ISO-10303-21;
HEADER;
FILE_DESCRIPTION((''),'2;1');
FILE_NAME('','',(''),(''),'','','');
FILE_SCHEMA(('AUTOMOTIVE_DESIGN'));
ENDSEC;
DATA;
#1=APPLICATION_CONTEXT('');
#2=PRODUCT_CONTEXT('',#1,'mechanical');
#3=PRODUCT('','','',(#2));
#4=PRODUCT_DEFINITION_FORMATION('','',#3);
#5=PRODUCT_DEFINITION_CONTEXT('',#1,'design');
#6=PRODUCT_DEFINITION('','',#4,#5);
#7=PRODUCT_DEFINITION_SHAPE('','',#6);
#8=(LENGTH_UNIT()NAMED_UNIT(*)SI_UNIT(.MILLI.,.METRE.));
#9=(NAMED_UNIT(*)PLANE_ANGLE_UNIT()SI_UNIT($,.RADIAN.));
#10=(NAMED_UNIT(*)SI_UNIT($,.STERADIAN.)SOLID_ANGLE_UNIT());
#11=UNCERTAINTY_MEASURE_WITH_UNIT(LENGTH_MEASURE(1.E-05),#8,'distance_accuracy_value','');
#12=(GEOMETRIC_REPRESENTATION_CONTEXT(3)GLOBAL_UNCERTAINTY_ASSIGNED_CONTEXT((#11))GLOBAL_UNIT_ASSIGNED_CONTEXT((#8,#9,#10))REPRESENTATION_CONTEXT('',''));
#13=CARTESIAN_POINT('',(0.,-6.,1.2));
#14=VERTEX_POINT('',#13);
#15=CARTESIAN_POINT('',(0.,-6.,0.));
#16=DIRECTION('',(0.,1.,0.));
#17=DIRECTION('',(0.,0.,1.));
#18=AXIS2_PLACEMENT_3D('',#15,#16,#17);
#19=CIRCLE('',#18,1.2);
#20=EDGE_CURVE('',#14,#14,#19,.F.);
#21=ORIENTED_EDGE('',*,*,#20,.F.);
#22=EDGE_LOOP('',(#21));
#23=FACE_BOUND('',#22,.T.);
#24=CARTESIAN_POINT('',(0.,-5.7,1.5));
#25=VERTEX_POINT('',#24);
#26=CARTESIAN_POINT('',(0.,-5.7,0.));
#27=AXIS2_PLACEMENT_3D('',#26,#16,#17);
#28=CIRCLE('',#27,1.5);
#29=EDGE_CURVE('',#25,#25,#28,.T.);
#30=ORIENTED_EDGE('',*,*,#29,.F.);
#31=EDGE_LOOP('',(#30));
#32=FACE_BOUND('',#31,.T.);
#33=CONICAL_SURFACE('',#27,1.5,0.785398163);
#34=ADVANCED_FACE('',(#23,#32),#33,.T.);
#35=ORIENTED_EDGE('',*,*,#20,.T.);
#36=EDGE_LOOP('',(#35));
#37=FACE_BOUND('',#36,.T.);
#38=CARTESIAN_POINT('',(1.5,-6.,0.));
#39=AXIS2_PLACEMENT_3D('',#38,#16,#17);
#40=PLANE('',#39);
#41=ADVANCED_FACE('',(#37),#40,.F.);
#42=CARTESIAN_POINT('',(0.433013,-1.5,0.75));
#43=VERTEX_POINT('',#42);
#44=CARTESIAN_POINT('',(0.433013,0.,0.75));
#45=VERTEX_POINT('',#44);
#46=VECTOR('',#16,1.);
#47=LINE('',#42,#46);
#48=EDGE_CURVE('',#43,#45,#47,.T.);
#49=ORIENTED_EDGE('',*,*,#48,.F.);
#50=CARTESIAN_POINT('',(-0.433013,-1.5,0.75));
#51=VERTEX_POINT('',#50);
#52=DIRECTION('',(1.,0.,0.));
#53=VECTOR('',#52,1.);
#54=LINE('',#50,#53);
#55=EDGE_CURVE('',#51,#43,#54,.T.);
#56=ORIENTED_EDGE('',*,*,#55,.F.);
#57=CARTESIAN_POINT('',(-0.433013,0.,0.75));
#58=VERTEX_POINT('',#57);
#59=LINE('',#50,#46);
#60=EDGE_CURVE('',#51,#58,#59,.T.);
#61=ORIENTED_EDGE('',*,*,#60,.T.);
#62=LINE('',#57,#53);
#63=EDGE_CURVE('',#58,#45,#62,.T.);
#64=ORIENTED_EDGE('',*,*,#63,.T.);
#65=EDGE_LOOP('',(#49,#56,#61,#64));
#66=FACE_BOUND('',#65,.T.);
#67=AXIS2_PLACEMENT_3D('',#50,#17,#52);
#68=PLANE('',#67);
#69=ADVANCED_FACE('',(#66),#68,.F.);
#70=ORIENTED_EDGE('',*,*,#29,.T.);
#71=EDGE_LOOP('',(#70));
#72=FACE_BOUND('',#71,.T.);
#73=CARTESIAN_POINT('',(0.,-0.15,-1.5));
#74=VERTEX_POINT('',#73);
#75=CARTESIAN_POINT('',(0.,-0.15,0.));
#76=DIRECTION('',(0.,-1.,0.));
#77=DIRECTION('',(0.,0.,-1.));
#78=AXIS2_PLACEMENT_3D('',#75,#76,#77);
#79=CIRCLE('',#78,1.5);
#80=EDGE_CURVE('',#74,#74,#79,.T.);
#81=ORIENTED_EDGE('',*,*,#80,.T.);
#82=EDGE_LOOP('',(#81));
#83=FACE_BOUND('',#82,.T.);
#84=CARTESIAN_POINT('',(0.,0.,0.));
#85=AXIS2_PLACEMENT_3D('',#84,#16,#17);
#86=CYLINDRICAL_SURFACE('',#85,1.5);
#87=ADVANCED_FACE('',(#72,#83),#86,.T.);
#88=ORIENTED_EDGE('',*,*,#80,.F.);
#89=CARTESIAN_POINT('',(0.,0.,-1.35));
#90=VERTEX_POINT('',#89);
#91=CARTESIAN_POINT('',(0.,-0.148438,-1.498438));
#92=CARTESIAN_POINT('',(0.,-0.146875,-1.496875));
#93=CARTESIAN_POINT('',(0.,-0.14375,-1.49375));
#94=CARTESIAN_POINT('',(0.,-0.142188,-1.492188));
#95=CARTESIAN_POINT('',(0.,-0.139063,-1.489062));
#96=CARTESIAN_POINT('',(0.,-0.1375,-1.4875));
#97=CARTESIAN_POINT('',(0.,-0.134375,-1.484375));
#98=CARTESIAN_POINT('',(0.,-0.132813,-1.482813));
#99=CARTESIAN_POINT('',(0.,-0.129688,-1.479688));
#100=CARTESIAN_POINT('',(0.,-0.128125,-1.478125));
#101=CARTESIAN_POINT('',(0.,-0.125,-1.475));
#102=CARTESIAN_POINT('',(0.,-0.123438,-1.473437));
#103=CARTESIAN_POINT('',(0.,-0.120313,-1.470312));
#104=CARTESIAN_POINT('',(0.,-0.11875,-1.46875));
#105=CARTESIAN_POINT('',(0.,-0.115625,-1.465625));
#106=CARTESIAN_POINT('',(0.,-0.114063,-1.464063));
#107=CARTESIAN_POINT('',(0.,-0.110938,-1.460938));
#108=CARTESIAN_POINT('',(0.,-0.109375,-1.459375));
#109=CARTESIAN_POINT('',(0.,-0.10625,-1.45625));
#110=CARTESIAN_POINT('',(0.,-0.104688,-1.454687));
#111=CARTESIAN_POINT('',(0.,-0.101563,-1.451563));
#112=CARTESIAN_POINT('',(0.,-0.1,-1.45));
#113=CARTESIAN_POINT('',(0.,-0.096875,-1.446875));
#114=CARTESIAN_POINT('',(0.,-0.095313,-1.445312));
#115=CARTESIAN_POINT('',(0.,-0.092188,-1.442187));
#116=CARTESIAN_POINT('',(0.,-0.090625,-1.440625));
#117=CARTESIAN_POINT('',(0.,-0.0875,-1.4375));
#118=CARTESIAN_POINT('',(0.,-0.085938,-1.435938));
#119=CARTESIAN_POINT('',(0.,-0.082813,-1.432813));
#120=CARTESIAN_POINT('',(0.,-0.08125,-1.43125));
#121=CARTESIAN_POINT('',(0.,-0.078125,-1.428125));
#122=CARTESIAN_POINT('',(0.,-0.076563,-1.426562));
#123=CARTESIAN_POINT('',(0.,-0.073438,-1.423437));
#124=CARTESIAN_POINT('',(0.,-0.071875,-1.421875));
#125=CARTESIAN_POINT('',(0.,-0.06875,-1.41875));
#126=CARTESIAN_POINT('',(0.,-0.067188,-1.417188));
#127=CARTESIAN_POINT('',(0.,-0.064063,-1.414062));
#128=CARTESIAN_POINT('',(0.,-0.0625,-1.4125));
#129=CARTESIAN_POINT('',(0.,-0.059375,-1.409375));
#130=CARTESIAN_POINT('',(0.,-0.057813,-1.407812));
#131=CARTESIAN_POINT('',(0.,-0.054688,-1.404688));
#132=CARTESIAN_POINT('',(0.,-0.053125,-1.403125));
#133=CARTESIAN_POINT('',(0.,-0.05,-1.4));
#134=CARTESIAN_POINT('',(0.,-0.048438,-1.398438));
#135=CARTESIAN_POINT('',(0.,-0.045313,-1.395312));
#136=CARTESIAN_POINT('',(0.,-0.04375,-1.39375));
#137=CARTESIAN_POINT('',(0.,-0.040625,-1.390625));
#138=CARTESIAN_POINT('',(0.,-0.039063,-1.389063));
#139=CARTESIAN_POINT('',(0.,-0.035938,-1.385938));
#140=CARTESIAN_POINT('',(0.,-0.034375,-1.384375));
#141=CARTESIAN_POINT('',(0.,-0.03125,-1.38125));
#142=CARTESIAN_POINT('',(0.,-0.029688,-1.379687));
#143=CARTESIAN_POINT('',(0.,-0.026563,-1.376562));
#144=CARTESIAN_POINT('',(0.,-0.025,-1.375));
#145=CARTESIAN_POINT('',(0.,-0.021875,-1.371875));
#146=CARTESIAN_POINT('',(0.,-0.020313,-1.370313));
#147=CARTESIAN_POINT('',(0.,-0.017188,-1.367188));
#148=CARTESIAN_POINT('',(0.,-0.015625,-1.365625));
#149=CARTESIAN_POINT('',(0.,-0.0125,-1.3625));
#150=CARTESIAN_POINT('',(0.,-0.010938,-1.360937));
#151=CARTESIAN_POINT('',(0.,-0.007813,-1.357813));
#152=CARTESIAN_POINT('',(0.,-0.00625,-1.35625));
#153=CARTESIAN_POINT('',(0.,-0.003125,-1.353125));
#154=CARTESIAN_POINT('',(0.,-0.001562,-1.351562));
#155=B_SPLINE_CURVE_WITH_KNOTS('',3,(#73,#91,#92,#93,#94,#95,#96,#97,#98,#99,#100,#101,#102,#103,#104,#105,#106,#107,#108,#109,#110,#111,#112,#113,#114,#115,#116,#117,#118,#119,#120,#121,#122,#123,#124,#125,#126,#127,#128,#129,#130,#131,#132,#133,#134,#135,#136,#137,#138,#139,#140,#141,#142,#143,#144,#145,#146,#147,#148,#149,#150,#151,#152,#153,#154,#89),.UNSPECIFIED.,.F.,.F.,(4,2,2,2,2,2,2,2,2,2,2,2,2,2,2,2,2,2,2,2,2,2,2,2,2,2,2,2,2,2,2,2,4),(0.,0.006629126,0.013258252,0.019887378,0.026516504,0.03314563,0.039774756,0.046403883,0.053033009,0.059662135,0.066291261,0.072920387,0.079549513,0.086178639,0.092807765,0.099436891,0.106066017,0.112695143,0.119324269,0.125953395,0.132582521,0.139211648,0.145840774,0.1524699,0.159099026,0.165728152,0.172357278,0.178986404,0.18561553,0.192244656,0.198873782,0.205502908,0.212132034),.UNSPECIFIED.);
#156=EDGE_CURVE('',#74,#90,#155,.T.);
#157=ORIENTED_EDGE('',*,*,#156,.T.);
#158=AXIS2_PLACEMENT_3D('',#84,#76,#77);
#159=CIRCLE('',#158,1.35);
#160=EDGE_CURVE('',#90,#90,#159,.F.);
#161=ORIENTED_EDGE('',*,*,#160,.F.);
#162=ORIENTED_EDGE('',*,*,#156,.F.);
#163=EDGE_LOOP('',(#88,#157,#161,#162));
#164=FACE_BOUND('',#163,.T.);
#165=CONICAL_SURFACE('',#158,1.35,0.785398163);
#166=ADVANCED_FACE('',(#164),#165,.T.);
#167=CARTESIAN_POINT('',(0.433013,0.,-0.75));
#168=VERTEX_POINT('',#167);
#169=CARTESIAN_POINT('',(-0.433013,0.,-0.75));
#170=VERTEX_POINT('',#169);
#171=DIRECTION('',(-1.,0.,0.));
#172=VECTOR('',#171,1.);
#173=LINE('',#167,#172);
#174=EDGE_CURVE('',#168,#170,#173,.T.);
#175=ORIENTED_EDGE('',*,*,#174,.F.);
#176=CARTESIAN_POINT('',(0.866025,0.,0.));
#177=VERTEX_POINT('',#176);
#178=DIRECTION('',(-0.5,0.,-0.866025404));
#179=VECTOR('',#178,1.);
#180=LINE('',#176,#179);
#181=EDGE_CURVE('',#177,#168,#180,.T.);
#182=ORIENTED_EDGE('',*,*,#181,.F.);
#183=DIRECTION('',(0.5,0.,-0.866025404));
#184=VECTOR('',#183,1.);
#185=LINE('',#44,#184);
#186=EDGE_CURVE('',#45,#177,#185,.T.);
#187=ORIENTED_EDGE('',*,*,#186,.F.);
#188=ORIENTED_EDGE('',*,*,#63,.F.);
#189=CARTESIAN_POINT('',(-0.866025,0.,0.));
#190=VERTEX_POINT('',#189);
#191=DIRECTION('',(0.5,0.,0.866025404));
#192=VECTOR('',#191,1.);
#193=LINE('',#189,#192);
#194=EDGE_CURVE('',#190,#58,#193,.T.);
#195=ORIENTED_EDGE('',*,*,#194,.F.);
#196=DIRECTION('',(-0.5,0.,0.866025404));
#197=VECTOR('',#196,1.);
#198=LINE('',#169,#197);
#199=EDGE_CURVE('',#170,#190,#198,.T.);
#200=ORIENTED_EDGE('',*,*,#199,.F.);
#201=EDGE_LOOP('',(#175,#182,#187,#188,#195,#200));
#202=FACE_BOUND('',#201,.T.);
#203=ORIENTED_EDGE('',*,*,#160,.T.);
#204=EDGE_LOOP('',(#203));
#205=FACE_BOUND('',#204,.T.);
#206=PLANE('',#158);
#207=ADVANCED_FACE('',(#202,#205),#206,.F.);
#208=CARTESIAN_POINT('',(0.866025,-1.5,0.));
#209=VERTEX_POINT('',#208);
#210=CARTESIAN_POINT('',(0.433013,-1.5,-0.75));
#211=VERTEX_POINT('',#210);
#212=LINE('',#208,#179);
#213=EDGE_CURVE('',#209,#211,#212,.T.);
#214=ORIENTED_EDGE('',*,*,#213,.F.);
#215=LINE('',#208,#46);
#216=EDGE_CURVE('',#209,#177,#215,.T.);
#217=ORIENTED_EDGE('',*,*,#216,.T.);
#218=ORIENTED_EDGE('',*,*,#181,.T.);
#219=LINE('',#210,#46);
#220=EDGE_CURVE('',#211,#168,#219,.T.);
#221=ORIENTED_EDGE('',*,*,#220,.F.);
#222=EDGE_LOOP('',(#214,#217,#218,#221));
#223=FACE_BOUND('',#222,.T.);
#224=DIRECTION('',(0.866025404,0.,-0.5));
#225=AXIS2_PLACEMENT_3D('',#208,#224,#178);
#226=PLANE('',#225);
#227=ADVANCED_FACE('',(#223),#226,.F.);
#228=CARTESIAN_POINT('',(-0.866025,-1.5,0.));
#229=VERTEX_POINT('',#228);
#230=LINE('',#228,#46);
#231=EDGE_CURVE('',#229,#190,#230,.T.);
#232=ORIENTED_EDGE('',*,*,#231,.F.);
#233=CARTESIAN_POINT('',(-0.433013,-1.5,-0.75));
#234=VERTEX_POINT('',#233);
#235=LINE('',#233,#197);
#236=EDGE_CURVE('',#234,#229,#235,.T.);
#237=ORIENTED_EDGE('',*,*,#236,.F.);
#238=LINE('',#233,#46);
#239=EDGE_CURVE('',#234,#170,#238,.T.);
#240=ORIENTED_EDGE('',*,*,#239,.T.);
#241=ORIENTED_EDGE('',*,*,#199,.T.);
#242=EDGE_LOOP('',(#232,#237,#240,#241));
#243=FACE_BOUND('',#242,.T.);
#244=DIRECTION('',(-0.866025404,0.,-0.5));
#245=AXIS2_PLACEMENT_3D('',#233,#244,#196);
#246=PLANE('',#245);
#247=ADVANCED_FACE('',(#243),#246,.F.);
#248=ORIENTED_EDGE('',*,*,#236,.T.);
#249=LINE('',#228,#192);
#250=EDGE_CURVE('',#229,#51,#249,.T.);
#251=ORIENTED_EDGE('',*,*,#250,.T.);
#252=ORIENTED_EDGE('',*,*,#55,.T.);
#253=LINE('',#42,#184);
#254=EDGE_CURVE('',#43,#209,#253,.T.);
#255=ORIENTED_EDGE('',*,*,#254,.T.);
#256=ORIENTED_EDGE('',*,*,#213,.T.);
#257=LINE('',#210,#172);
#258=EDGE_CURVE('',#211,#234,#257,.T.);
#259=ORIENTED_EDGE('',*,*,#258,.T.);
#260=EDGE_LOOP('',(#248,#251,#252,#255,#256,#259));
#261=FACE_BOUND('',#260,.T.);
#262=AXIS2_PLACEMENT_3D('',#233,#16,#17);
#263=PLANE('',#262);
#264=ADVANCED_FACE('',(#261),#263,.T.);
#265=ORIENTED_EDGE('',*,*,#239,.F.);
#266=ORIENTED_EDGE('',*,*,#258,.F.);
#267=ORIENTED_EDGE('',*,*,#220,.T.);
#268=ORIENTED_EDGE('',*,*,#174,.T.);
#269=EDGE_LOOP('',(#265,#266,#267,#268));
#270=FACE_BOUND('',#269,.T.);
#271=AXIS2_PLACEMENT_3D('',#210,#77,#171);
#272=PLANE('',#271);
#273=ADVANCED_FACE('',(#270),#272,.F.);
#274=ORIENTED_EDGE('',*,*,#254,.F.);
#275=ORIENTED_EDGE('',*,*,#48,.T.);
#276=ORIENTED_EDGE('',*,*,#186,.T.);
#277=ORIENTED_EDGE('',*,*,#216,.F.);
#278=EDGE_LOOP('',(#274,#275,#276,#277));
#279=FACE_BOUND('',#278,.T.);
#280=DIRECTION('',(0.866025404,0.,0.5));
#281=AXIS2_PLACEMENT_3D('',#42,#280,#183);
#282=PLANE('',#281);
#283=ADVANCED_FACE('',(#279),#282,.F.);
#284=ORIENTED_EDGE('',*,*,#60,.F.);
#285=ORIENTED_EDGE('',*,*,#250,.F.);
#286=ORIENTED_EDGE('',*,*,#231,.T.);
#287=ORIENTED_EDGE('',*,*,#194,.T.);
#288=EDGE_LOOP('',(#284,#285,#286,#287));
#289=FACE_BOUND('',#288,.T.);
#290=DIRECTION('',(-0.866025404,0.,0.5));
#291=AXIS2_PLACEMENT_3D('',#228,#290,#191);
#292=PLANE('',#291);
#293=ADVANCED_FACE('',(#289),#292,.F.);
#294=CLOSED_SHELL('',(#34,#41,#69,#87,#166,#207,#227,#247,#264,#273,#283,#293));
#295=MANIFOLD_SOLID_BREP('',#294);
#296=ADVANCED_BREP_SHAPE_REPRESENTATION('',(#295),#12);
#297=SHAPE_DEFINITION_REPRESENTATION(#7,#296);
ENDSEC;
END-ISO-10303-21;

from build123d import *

# Parameters (mm, degrees)
CROQUIS1_W            = 1.5
CROQUIS1_H            = 6
CORTAR_EXTRUIR2_DEPTH = 1.5
CHAFL_N3_SIZE         = 0.3
CHAFL_N4_SIZE         = 0.15


with BuildPart() as part:
    # Croquis1 → Revolución1 (revolve)
    with BuildSketch(Plane.XY, mode=Mode.PRIVATE) as revoluci_n1_sk:
        with Locations((0.75, -3)):
            Rectangle(CROQUIS1_W, CROQUIS1_H)
    revolve(revoluci_n1_sk.sketch.rotate(Axis((0, 0, 0), (0, -1, 0)), 90), axis=Axis((0, 0, 0), (0, -1, 0)))

    # Croquis3 → Cortar-Extruir2 (cut)
    with BuildSketch(Plane(origin=(0, 0, 0), x_dir=(1, 0, 0), z_dir=(0, 1, 0))):
        Polygon((-0.433012702, 0.75), (-0.866025404, 0), (-0.433012702, -0.75), (0.433012702, -0.75), (0.866025404, 0), (0.433012702, 0.75), align=None)
    extrude(amount=-CORTAR_EXTRUIR2_DEPTH, mode=Mode.SUBTRACT)

    # Chaflán3
    chafl_n3_edges = [part.edges().sort_by_distance(p)[0] for p in [
        (0, -6, -1.5),
    ]]
    chamfer(chafl_n3_edges, length=CHAFL_N3_SIZE)

    # Chaflán4
    chafl_n4_edges = [part.edges().sort_by_distance(p)[0] for p in [
        (0, 0, -1.5),
    ]]
    chamfer(chafl_n4_edges, length=CHAFL_N4_SIZE)


solid = part.part
